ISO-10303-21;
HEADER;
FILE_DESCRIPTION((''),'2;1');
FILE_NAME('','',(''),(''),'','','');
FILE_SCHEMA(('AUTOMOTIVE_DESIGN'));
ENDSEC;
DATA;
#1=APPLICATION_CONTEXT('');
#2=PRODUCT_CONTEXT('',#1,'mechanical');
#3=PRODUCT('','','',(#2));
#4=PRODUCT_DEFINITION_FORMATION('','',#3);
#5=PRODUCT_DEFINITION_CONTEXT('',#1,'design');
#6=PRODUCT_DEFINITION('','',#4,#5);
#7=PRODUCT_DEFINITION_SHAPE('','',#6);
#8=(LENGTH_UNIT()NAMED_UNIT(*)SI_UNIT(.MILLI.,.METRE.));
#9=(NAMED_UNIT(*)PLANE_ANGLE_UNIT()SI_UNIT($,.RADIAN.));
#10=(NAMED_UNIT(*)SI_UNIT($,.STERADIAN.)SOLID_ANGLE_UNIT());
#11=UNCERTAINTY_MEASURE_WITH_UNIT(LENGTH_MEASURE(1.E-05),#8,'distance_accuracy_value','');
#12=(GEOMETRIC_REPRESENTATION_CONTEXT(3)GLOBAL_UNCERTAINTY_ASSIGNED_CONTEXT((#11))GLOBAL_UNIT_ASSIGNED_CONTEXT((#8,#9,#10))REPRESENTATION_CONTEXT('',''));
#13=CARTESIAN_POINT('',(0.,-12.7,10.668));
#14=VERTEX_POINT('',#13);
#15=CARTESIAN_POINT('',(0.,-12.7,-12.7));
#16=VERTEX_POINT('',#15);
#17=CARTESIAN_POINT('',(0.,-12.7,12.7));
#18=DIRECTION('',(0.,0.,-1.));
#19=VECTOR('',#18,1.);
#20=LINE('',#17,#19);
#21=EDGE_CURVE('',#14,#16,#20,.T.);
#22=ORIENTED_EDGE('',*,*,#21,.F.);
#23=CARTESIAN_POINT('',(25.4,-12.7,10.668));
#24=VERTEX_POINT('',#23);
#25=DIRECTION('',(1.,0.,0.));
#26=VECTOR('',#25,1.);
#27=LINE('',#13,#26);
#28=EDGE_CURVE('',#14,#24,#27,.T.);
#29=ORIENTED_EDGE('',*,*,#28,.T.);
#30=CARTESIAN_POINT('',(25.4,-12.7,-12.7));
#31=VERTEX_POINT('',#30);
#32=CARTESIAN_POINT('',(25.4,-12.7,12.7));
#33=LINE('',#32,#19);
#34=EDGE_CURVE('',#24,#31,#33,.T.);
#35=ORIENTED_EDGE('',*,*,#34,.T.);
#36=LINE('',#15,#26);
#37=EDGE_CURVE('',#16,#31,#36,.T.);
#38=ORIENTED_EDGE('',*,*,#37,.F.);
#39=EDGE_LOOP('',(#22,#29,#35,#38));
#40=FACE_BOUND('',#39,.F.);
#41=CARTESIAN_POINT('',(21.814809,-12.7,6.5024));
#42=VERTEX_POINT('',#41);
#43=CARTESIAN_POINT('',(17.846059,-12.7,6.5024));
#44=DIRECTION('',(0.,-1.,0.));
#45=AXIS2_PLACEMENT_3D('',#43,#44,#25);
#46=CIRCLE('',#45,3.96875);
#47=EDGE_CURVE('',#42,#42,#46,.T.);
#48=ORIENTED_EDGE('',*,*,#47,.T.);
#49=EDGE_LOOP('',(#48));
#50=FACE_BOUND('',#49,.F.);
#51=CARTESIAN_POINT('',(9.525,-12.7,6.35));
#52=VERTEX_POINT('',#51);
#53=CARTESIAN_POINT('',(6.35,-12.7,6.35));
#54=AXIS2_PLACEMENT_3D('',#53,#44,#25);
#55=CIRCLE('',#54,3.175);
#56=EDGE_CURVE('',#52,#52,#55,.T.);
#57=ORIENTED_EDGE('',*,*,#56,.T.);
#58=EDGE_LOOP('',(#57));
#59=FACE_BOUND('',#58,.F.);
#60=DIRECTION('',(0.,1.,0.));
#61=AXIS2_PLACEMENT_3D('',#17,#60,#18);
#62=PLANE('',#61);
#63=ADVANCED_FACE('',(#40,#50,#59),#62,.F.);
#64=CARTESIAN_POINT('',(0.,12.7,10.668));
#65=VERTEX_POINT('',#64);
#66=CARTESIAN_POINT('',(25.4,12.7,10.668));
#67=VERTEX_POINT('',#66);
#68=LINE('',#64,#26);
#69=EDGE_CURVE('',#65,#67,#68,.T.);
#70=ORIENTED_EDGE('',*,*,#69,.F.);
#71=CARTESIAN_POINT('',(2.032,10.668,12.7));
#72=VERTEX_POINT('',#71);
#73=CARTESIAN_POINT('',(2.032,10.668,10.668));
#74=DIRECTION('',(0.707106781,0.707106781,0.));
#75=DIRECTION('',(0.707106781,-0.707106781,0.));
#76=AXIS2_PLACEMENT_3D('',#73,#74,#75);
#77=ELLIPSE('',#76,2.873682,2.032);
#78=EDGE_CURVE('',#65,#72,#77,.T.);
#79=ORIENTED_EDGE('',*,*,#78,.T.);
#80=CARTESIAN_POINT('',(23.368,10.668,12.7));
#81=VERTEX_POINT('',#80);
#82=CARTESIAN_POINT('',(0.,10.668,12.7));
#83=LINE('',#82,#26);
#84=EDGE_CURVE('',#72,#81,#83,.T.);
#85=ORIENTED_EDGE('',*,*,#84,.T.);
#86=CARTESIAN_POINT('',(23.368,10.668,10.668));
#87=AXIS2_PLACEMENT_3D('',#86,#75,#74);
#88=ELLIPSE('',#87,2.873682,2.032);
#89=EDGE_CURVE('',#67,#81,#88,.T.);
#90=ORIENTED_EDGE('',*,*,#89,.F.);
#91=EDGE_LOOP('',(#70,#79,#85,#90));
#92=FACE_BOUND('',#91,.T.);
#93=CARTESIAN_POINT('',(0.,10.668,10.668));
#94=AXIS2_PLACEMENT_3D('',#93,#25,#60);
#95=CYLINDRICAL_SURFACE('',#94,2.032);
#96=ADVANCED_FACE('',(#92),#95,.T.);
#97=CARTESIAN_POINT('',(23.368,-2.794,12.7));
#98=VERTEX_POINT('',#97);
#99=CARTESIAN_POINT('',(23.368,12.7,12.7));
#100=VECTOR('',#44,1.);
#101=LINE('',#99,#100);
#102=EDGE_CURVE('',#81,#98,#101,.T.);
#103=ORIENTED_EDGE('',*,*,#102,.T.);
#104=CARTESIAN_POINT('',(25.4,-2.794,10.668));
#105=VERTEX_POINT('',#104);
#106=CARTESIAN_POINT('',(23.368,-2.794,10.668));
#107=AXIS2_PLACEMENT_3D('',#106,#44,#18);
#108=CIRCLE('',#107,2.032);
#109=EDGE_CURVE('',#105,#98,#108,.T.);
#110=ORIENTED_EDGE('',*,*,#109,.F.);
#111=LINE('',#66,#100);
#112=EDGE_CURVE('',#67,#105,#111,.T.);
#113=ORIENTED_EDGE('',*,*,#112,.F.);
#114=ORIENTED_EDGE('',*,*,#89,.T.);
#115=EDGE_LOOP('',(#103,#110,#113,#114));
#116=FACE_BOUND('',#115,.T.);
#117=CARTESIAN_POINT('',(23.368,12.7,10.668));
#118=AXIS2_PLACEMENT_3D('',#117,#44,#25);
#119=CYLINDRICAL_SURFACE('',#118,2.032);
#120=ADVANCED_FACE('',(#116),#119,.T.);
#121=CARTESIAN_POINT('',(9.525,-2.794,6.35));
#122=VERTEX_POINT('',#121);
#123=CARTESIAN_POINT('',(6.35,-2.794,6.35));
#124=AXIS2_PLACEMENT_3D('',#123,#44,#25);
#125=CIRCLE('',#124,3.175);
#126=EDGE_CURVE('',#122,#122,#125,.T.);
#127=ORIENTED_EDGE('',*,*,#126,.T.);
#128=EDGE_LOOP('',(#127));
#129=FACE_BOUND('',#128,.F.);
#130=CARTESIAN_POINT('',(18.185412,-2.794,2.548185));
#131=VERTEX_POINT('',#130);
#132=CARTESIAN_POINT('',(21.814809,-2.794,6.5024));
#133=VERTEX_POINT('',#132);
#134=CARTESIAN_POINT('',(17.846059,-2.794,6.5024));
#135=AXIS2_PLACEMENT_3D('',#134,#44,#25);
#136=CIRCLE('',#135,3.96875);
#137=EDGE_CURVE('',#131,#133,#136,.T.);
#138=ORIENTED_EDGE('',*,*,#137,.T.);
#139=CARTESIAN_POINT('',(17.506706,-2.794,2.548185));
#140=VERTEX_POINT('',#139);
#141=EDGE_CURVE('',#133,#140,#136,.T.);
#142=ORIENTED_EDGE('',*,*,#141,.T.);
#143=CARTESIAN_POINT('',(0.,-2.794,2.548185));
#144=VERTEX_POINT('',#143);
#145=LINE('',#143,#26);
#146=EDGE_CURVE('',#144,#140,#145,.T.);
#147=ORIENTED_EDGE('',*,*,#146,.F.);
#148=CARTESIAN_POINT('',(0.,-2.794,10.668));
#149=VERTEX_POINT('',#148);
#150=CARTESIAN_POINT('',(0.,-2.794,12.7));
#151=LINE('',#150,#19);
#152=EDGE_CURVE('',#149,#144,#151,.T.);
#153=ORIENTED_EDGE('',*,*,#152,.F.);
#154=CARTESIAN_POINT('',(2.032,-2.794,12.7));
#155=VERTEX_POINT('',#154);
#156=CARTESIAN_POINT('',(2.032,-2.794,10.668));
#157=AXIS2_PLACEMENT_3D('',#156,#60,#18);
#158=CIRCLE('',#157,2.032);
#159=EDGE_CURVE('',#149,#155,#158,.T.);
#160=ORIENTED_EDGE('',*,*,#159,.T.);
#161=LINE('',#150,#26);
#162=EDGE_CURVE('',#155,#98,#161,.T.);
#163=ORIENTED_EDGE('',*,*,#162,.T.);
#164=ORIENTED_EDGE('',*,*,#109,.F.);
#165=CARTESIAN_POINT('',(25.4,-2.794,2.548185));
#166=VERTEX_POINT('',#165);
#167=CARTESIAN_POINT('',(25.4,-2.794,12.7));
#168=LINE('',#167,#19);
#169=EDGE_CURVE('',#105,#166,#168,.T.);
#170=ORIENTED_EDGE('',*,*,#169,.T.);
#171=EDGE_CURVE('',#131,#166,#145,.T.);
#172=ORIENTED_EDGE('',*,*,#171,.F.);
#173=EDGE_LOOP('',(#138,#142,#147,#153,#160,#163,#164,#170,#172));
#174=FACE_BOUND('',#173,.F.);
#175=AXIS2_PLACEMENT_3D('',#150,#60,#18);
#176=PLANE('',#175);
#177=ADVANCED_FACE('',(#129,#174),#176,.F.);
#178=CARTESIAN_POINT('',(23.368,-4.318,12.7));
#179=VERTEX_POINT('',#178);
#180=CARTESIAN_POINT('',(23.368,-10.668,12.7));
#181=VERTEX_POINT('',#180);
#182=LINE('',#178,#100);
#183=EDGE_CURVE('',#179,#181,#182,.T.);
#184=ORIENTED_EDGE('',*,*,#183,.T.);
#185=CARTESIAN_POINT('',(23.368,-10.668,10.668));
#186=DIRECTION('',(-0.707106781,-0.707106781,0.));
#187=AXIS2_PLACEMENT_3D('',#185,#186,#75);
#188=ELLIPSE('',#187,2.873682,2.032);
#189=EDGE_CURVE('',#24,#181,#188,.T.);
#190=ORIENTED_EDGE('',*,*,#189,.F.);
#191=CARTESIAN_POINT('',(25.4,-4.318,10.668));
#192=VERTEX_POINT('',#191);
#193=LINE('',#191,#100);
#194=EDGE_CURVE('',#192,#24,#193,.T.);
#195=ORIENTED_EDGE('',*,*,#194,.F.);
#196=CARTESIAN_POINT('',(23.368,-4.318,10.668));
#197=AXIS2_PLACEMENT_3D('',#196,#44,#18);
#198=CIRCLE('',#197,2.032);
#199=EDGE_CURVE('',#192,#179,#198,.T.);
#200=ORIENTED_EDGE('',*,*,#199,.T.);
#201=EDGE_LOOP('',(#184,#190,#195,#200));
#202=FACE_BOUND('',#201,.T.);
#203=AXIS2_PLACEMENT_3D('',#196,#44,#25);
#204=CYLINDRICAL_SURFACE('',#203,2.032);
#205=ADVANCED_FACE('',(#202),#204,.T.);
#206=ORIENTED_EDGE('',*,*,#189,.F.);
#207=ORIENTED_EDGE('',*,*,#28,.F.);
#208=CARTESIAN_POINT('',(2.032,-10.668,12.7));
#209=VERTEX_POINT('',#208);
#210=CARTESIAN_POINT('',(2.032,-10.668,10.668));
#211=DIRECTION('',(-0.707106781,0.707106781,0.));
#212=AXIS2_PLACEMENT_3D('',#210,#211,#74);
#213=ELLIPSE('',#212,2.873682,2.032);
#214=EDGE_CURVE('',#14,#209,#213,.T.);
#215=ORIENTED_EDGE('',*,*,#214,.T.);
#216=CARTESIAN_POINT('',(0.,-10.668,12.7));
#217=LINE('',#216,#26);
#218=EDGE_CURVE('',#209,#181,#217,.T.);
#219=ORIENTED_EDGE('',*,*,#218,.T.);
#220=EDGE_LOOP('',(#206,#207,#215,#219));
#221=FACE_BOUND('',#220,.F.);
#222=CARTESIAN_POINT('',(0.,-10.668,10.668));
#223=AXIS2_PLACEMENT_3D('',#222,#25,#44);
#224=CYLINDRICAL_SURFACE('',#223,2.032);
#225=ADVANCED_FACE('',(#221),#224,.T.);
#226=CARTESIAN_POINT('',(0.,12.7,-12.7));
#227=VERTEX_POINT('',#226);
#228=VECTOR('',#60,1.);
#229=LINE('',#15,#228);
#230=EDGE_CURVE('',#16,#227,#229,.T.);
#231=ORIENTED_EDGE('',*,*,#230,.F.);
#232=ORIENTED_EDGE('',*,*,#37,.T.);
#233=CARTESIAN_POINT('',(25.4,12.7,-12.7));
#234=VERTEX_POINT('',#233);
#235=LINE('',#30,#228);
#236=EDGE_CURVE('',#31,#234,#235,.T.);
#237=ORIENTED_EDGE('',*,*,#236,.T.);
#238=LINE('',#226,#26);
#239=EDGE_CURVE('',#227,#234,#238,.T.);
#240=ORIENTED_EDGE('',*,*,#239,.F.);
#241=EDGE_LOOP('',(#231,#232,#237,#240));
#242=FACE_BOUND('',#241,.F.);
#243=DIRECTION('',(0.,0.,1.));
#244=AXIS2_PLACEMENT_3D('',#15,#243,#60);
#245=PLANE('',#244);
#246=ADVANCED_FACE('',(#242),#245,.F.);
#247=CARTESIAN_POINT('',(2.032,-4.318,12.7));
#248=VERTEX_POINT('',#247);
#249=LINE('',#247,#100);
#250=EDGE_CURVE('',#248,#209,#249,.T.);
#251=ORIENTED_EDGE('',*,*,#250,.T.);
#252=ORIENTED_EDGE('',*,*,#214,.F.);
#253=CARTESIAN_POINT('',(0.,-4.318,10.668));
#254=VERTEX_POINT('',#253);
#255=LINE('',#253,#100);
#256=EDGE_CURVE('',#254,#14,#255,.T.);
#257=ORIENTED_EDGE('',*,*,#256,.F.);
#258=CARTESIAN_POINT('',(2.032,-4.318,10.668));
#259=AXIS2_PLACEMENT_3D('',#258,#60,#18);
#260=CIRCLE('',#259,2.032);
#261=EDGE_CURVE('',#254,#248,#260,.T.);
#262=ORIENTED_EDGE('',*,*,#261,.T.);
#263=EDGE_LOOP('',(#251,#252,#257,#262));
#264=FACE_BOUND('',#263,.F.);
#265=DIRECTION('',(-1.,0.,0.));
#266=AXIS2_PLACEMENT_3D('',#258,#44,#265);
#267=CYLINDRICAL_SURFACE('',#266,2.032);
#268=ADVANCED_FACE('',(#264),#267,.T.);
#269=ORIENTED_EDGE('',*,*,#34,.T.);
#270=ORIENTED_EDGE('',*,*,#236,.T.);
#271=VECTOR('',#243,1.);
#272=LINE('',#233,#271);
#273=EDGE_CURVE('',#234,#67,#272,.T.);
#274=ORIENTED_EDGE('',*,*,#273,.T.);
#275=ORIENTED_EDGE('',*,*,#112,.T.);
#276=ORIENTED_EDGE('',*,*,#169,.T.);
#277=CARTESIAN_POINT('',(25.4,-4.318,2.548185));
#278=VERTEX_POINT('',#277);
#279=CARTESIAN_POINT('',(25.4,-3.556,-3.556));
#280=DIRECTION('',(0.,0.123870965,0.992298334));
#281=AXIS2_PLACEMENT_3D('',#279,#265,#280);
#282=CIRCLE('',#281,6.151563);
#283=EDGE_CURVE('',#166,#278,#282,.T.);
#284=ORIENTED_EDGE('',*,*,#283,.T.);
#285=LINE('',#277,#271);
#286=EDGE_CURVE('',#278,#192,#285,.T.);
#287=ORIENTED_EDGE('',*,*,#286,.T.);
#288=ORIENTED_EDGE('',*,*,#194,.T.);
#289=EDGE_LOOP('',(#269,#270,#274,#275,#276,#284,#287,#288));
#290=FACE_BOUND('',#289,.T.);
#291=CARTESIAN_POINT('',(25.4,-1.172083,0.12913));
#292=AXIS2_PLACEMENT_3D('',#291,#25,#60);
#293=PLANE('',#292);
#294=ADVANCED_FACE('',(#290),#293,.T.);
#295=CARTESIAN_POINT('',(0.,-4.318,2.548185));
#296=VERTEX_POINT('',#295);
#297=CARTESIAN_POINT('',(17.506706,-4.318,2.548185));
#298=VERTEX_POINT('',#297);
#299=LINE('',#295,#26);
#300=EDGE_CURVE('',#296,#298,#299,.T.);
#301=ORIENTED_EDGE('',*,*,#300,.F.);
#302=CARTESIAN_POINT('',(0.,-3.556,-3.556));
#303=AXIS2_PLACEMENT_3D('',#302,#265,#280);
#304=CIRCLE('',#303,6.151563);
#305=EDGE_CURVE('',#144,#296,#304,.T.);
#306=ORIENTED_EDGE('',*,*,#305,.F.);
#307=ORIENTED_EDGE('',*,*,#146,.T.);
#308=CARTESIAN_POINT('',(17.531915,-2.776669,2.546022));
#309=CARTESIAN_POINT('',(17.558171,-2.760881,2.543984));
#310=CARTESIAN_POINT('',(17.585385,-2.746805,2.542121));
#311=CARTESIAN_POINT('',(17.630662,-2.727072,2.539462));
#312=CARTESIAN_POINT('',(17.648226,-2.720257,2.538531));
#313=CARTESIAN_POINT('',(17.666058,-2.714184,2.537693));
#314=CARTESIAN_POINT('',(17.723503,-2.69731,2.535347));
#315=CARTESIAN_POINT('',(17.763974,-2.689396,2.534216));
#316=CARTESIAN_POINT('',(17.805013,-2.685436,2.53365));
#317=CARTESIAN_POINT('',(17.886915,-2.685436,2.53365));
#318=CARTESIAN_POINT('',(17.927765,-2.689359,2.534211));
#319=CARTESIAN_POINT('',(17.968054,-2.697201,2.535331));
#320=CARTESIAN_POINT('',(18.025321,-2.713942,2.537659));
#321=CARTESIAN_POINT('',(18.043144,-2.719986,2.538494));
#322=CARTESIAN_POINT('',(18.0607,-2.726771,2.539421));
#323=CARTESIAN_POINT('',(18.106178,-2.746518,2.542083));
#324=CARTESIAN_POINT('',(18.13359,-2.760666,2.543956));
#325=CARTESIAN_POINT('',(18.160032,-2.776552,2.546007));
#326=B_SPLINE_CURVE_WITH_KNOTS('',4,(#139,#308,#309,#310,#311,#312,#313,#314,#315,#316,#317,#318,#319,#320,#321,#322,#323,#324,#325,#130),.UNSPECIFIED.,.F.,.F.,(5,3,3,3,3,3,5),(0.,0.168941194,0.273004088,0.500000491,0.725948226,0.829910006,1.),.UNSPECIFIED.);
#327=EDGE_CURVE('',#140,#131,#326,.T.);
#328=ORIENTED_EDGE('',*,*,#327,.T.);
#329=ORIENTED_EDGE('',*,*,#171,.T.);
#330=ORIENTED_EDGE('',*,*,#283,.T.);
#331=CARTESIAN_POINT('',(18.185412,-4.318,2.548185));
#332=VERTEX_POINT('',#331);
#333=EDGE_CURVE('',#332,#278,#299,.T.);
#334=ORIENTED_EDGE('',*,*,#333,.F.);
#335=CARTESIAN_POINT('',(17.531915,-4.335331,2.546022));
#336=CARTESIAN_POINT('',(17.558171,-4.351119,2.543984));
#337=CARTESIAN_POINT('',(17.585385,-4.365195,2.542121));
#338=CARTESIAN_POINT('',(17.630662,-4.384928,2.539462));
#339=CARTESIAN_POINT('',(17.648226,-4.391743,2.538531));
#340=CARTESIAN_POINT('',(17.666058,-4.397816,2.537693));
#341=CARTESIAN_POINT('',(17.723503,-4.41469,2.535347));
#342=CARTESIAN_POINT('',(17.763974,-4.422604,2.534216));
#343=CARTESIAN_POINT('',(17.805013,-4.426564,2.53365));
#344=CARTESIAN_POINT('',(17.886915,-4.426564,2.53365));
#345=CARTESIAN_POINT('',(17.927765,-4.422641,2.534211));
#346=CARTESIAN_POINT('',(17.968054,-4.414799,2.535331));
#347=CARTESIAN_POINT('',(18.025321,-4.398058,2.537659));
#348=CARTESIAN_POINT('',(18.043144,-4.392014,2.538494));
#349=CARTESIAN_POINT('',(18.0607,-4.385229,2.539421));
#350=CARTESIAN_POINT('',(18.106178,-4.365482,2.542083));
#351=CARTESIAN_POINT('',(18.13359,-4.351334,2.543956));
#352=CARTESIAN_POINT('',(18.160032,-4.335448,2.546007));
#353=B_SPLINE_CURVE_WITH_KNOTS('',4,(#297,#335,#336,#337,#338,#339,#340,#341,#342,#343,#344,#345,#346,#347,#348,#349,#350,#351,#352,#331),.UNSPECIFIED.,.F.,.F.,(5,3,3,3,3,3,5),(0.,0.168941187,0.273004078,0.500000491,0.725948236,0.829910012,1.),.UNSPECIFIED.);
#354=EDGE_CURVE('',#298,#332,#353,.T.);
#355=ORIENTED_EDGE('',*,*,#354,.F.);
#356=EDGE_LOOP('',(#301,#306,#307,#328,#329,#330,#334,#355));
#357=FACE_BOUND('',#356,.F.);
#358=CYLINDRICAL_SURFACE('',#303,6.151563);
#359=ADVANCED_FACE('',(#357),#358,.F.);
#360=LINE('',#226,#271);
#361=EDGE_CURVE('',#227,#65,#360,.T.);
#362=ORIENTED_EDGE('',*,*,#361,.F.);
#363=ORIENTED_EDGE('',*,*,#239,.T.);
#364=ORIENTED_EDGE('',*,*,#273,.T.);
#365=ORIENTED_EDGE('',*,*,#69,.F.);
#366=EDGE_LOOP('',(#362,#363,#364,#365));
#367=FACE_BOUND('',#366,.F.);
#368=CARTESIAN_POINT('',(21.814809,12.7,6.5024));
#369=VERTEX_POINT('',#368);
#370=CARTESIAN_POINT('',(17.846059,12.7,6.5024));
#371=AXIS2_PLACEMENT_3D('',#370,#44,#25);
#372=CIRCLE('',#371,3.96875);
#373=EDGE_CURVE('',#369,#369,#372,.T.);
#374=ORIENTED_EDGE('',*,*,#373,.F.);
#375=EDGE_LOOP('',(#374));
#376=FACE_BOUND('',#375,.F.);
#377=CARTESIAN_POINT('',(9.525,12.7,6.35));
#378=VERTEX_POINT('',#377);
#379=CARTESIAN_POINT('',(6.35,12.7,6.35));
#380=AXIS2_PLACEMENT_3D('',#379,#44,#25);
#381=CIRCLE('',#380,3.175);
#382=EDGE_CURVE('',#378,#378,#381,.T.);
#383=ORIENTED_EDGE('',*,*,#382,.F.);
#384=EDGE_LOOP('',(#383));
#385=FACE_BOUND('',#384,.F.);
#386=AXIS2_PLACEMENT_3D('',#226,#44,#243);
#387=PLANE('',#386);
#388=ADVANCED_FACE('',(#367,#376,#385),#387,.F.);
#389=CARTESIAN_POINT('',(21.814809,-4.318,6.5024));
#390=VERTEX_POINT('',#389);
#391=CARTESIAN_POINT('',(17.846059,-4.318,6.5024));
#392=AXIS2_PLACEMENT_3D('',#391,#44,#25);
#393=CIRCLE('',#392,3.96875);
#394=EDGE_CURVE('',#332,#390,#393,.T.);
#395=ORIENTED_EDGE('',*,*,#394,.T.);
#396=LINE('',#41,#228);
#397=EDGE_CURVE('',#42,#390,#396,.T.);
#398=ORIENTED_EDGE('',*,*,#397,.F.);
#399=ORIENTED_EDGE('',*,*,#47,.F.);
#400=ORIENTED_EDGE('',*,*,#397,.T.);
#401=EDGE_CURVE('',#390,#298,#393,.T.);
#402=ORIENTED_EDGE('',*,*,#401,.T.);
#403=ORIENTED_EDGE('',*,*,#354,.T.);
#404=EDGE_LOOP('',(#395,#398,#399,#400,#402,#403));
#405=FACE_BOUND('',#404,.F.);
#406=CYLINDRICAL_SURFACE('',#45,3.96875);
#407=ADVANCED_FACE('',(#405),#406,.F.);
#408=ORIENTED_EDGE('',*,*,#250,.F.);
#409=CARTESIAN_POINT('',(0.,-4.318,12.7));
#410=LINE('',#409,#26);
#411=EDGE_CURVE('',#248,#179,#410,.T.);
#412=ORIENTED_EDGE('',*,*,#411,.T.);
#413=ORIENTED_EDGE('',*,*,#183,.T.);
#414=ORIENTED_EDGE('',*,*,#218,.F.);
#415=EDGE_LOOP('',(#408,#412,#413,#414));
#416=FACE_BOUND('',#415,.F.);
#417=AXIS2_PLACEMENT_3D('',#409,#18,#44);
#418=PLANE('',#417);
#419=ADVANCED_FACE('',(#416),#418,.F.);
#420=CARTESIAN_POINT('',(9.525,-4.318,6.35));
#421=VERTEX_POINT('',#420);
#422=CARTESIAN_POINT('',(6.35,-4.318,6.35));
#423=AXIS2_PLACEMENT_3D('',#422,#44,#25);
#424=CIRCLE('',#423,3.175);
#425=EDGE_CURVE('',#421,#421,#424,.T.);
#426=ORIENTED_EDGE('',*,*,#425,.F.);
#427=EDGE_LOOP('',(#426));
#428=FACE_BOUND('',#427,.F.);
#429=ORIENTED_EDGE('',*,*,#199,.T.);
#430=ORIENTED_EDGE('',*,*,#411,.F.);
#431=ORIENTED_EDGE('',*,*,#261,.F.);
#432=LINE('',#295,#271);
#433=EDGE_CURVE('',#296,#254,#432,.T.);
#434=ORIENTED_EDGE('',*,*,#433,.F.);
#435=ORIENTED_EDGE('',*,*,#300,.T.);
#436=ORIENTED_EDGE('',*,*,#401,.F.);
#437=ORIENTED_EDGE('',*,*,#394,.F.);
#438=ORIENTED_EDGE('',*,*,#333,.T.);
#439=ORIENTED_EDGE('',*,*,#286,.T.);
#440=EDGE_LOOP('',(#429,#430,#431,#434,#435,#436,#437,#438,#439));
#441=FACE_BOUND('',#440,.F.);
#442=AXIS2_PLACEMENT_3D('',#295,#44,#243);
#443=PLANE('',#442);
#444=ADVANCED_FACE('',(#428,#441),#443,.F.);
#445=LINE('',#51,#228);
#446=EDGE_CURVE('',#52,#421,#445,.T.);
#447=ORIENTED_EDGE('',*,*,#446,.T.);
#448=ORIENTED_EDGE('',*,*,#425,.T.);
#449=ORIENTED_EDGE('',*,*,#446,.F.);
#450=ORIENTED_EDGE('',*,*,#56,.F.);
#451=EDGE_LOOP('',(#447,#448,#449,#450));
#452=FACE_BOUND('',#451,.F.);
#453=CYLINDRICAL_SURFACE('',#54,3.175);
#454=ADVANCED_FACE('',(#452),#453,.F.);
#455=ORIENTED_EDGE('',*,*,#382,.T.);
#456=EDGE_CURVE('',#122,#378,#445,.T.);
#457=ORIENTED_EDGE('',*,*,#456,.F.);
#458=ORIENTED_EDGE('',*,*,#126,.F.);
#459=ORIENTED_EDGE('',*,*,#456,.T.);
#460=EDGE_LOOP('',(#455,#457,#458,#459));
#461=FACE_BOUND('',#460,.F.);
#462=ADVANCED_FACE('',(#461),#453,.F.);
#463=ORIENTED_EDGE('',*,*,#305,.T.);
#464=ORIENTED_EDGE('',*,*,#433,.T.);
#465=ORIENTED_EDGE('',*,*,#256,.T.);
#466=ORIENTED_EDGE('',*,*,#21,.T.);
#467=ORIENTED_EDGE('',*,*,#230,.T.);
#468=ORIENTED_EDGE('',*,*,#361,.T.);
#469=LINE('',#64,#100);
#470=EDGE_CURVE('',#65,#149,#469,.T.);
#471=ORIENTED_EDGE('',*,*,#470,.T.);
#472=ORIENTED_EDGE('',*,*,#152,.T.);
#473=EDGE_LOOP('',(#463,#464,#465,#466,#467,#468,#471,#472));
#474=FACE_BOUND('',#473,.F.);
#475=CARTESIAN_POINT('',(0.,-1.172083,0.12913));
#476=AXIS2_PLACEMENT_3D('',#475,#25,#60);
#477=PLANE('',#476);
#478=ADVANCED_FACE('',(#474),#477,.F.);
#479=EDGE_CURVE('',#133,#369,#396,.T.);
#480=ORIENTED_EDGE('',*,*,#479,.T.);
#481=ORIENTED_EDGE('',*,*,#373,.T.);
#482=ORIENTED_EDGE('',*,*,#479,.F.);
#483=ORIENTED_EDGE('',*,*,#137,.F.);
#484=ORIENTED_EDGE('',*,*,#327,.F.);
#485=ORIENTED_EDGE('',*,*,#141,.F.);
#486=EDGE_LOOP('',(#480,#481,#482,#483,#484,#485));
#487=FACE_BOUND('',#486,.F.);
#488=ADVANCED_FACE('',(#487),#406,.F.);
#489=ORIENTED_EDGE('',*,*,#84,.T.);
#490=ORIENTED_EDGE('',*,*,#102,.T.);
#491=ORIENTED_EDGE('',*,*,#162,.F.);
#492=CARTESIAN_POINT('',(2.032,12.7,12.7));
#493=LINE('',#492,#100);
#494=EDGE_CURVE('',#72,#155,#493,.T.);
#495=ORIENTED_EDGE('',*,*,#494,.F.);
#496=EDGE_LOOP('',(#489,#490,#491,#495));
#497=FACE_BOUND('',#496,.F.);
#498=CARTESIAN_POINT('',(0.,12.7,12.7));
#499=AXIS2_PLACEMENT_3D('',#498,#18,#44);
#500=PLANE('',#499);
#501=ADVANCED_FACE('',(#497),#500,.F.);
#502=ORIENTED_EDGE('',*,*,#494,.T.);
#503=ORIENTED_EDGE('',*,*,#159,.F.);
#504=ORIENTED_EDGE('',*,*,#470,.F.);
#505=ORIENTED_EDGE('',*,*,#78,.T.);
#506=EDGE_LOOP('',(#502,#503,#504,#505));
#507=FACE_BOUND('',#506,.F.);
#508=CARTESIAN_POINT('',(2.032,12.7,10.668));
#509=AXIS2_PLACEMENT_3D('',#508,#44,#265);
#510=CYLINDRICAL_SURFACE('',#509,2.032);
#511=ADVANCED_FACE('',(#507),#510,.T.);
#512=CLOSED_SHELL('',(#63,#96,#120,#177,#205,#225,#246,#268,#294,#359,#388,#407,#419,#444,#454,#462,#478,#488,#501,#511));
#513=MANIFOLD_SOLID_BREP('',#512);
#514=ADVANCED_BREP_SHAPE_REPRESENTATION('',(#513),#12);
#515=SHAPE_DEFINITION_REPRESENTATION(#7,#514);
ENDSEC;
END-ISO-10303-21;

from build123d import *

# Parameters (mm, degrees)
F1_DEPTH = 25.4
F2_R     = 3.175
F2_R_2   = 3.96875
F3_DEPTH = 25.401
F4_R     = 2.032


with BuildPart() as f1:
    # F0 (on Right) → F1 (new body)
    with BuildSketch(Plane.YZ):
        with BuildLine():
            Line((12.7, -12.7), (12.7, 12.7))
            Line((12.7, 12.7), (-2.794, 12.7))
            Line((-2.794, 12.7), (-2.794, 2.548185))
            ThreePointArc((-2.794, 2.548185), (-3.556, -9.707563), (-4.318, 2.548185))
            Line((-4.318, 2.548185), (-4.318, 12.7))
            Line((-4.318, 12.7), (-12.7, 12.7))
            Line((-12.7, 12.7), (-12.7, -12.7))
            Line((-12.7, -12.7), (12.7, -12.7))
        make_face()
    extrude(amount=F1_DEPTH)

    # F2 (on face) → F3 (cut, through all)
    with BuildSketch(Plane.XZ.offset(12.7)):
        with Locations((6.35, 6.35)):
            Circle(F2_R)
        with Locations((17.846059, 6.5024)):
            Circle(F2_R_2)
    extrude(amount=-F3_DEPTH, mode=Mode.SUBTRACT)

    # F4
    f4_edges = [f1.edges().sort_by_distance(p)[0] for p in [
        (0, 4.953, 12.7),
        (12.7, 12.7, 12.7),
        (25.4, 4.953, 12.7),
        (25.4, -8.509, 12.7),
        (12.7, -12.7, 12.7),
        (0, -8.509, 12.7),
    ]]
    fillet(f4_edges, radius=F4_R)


solid = f1.part
